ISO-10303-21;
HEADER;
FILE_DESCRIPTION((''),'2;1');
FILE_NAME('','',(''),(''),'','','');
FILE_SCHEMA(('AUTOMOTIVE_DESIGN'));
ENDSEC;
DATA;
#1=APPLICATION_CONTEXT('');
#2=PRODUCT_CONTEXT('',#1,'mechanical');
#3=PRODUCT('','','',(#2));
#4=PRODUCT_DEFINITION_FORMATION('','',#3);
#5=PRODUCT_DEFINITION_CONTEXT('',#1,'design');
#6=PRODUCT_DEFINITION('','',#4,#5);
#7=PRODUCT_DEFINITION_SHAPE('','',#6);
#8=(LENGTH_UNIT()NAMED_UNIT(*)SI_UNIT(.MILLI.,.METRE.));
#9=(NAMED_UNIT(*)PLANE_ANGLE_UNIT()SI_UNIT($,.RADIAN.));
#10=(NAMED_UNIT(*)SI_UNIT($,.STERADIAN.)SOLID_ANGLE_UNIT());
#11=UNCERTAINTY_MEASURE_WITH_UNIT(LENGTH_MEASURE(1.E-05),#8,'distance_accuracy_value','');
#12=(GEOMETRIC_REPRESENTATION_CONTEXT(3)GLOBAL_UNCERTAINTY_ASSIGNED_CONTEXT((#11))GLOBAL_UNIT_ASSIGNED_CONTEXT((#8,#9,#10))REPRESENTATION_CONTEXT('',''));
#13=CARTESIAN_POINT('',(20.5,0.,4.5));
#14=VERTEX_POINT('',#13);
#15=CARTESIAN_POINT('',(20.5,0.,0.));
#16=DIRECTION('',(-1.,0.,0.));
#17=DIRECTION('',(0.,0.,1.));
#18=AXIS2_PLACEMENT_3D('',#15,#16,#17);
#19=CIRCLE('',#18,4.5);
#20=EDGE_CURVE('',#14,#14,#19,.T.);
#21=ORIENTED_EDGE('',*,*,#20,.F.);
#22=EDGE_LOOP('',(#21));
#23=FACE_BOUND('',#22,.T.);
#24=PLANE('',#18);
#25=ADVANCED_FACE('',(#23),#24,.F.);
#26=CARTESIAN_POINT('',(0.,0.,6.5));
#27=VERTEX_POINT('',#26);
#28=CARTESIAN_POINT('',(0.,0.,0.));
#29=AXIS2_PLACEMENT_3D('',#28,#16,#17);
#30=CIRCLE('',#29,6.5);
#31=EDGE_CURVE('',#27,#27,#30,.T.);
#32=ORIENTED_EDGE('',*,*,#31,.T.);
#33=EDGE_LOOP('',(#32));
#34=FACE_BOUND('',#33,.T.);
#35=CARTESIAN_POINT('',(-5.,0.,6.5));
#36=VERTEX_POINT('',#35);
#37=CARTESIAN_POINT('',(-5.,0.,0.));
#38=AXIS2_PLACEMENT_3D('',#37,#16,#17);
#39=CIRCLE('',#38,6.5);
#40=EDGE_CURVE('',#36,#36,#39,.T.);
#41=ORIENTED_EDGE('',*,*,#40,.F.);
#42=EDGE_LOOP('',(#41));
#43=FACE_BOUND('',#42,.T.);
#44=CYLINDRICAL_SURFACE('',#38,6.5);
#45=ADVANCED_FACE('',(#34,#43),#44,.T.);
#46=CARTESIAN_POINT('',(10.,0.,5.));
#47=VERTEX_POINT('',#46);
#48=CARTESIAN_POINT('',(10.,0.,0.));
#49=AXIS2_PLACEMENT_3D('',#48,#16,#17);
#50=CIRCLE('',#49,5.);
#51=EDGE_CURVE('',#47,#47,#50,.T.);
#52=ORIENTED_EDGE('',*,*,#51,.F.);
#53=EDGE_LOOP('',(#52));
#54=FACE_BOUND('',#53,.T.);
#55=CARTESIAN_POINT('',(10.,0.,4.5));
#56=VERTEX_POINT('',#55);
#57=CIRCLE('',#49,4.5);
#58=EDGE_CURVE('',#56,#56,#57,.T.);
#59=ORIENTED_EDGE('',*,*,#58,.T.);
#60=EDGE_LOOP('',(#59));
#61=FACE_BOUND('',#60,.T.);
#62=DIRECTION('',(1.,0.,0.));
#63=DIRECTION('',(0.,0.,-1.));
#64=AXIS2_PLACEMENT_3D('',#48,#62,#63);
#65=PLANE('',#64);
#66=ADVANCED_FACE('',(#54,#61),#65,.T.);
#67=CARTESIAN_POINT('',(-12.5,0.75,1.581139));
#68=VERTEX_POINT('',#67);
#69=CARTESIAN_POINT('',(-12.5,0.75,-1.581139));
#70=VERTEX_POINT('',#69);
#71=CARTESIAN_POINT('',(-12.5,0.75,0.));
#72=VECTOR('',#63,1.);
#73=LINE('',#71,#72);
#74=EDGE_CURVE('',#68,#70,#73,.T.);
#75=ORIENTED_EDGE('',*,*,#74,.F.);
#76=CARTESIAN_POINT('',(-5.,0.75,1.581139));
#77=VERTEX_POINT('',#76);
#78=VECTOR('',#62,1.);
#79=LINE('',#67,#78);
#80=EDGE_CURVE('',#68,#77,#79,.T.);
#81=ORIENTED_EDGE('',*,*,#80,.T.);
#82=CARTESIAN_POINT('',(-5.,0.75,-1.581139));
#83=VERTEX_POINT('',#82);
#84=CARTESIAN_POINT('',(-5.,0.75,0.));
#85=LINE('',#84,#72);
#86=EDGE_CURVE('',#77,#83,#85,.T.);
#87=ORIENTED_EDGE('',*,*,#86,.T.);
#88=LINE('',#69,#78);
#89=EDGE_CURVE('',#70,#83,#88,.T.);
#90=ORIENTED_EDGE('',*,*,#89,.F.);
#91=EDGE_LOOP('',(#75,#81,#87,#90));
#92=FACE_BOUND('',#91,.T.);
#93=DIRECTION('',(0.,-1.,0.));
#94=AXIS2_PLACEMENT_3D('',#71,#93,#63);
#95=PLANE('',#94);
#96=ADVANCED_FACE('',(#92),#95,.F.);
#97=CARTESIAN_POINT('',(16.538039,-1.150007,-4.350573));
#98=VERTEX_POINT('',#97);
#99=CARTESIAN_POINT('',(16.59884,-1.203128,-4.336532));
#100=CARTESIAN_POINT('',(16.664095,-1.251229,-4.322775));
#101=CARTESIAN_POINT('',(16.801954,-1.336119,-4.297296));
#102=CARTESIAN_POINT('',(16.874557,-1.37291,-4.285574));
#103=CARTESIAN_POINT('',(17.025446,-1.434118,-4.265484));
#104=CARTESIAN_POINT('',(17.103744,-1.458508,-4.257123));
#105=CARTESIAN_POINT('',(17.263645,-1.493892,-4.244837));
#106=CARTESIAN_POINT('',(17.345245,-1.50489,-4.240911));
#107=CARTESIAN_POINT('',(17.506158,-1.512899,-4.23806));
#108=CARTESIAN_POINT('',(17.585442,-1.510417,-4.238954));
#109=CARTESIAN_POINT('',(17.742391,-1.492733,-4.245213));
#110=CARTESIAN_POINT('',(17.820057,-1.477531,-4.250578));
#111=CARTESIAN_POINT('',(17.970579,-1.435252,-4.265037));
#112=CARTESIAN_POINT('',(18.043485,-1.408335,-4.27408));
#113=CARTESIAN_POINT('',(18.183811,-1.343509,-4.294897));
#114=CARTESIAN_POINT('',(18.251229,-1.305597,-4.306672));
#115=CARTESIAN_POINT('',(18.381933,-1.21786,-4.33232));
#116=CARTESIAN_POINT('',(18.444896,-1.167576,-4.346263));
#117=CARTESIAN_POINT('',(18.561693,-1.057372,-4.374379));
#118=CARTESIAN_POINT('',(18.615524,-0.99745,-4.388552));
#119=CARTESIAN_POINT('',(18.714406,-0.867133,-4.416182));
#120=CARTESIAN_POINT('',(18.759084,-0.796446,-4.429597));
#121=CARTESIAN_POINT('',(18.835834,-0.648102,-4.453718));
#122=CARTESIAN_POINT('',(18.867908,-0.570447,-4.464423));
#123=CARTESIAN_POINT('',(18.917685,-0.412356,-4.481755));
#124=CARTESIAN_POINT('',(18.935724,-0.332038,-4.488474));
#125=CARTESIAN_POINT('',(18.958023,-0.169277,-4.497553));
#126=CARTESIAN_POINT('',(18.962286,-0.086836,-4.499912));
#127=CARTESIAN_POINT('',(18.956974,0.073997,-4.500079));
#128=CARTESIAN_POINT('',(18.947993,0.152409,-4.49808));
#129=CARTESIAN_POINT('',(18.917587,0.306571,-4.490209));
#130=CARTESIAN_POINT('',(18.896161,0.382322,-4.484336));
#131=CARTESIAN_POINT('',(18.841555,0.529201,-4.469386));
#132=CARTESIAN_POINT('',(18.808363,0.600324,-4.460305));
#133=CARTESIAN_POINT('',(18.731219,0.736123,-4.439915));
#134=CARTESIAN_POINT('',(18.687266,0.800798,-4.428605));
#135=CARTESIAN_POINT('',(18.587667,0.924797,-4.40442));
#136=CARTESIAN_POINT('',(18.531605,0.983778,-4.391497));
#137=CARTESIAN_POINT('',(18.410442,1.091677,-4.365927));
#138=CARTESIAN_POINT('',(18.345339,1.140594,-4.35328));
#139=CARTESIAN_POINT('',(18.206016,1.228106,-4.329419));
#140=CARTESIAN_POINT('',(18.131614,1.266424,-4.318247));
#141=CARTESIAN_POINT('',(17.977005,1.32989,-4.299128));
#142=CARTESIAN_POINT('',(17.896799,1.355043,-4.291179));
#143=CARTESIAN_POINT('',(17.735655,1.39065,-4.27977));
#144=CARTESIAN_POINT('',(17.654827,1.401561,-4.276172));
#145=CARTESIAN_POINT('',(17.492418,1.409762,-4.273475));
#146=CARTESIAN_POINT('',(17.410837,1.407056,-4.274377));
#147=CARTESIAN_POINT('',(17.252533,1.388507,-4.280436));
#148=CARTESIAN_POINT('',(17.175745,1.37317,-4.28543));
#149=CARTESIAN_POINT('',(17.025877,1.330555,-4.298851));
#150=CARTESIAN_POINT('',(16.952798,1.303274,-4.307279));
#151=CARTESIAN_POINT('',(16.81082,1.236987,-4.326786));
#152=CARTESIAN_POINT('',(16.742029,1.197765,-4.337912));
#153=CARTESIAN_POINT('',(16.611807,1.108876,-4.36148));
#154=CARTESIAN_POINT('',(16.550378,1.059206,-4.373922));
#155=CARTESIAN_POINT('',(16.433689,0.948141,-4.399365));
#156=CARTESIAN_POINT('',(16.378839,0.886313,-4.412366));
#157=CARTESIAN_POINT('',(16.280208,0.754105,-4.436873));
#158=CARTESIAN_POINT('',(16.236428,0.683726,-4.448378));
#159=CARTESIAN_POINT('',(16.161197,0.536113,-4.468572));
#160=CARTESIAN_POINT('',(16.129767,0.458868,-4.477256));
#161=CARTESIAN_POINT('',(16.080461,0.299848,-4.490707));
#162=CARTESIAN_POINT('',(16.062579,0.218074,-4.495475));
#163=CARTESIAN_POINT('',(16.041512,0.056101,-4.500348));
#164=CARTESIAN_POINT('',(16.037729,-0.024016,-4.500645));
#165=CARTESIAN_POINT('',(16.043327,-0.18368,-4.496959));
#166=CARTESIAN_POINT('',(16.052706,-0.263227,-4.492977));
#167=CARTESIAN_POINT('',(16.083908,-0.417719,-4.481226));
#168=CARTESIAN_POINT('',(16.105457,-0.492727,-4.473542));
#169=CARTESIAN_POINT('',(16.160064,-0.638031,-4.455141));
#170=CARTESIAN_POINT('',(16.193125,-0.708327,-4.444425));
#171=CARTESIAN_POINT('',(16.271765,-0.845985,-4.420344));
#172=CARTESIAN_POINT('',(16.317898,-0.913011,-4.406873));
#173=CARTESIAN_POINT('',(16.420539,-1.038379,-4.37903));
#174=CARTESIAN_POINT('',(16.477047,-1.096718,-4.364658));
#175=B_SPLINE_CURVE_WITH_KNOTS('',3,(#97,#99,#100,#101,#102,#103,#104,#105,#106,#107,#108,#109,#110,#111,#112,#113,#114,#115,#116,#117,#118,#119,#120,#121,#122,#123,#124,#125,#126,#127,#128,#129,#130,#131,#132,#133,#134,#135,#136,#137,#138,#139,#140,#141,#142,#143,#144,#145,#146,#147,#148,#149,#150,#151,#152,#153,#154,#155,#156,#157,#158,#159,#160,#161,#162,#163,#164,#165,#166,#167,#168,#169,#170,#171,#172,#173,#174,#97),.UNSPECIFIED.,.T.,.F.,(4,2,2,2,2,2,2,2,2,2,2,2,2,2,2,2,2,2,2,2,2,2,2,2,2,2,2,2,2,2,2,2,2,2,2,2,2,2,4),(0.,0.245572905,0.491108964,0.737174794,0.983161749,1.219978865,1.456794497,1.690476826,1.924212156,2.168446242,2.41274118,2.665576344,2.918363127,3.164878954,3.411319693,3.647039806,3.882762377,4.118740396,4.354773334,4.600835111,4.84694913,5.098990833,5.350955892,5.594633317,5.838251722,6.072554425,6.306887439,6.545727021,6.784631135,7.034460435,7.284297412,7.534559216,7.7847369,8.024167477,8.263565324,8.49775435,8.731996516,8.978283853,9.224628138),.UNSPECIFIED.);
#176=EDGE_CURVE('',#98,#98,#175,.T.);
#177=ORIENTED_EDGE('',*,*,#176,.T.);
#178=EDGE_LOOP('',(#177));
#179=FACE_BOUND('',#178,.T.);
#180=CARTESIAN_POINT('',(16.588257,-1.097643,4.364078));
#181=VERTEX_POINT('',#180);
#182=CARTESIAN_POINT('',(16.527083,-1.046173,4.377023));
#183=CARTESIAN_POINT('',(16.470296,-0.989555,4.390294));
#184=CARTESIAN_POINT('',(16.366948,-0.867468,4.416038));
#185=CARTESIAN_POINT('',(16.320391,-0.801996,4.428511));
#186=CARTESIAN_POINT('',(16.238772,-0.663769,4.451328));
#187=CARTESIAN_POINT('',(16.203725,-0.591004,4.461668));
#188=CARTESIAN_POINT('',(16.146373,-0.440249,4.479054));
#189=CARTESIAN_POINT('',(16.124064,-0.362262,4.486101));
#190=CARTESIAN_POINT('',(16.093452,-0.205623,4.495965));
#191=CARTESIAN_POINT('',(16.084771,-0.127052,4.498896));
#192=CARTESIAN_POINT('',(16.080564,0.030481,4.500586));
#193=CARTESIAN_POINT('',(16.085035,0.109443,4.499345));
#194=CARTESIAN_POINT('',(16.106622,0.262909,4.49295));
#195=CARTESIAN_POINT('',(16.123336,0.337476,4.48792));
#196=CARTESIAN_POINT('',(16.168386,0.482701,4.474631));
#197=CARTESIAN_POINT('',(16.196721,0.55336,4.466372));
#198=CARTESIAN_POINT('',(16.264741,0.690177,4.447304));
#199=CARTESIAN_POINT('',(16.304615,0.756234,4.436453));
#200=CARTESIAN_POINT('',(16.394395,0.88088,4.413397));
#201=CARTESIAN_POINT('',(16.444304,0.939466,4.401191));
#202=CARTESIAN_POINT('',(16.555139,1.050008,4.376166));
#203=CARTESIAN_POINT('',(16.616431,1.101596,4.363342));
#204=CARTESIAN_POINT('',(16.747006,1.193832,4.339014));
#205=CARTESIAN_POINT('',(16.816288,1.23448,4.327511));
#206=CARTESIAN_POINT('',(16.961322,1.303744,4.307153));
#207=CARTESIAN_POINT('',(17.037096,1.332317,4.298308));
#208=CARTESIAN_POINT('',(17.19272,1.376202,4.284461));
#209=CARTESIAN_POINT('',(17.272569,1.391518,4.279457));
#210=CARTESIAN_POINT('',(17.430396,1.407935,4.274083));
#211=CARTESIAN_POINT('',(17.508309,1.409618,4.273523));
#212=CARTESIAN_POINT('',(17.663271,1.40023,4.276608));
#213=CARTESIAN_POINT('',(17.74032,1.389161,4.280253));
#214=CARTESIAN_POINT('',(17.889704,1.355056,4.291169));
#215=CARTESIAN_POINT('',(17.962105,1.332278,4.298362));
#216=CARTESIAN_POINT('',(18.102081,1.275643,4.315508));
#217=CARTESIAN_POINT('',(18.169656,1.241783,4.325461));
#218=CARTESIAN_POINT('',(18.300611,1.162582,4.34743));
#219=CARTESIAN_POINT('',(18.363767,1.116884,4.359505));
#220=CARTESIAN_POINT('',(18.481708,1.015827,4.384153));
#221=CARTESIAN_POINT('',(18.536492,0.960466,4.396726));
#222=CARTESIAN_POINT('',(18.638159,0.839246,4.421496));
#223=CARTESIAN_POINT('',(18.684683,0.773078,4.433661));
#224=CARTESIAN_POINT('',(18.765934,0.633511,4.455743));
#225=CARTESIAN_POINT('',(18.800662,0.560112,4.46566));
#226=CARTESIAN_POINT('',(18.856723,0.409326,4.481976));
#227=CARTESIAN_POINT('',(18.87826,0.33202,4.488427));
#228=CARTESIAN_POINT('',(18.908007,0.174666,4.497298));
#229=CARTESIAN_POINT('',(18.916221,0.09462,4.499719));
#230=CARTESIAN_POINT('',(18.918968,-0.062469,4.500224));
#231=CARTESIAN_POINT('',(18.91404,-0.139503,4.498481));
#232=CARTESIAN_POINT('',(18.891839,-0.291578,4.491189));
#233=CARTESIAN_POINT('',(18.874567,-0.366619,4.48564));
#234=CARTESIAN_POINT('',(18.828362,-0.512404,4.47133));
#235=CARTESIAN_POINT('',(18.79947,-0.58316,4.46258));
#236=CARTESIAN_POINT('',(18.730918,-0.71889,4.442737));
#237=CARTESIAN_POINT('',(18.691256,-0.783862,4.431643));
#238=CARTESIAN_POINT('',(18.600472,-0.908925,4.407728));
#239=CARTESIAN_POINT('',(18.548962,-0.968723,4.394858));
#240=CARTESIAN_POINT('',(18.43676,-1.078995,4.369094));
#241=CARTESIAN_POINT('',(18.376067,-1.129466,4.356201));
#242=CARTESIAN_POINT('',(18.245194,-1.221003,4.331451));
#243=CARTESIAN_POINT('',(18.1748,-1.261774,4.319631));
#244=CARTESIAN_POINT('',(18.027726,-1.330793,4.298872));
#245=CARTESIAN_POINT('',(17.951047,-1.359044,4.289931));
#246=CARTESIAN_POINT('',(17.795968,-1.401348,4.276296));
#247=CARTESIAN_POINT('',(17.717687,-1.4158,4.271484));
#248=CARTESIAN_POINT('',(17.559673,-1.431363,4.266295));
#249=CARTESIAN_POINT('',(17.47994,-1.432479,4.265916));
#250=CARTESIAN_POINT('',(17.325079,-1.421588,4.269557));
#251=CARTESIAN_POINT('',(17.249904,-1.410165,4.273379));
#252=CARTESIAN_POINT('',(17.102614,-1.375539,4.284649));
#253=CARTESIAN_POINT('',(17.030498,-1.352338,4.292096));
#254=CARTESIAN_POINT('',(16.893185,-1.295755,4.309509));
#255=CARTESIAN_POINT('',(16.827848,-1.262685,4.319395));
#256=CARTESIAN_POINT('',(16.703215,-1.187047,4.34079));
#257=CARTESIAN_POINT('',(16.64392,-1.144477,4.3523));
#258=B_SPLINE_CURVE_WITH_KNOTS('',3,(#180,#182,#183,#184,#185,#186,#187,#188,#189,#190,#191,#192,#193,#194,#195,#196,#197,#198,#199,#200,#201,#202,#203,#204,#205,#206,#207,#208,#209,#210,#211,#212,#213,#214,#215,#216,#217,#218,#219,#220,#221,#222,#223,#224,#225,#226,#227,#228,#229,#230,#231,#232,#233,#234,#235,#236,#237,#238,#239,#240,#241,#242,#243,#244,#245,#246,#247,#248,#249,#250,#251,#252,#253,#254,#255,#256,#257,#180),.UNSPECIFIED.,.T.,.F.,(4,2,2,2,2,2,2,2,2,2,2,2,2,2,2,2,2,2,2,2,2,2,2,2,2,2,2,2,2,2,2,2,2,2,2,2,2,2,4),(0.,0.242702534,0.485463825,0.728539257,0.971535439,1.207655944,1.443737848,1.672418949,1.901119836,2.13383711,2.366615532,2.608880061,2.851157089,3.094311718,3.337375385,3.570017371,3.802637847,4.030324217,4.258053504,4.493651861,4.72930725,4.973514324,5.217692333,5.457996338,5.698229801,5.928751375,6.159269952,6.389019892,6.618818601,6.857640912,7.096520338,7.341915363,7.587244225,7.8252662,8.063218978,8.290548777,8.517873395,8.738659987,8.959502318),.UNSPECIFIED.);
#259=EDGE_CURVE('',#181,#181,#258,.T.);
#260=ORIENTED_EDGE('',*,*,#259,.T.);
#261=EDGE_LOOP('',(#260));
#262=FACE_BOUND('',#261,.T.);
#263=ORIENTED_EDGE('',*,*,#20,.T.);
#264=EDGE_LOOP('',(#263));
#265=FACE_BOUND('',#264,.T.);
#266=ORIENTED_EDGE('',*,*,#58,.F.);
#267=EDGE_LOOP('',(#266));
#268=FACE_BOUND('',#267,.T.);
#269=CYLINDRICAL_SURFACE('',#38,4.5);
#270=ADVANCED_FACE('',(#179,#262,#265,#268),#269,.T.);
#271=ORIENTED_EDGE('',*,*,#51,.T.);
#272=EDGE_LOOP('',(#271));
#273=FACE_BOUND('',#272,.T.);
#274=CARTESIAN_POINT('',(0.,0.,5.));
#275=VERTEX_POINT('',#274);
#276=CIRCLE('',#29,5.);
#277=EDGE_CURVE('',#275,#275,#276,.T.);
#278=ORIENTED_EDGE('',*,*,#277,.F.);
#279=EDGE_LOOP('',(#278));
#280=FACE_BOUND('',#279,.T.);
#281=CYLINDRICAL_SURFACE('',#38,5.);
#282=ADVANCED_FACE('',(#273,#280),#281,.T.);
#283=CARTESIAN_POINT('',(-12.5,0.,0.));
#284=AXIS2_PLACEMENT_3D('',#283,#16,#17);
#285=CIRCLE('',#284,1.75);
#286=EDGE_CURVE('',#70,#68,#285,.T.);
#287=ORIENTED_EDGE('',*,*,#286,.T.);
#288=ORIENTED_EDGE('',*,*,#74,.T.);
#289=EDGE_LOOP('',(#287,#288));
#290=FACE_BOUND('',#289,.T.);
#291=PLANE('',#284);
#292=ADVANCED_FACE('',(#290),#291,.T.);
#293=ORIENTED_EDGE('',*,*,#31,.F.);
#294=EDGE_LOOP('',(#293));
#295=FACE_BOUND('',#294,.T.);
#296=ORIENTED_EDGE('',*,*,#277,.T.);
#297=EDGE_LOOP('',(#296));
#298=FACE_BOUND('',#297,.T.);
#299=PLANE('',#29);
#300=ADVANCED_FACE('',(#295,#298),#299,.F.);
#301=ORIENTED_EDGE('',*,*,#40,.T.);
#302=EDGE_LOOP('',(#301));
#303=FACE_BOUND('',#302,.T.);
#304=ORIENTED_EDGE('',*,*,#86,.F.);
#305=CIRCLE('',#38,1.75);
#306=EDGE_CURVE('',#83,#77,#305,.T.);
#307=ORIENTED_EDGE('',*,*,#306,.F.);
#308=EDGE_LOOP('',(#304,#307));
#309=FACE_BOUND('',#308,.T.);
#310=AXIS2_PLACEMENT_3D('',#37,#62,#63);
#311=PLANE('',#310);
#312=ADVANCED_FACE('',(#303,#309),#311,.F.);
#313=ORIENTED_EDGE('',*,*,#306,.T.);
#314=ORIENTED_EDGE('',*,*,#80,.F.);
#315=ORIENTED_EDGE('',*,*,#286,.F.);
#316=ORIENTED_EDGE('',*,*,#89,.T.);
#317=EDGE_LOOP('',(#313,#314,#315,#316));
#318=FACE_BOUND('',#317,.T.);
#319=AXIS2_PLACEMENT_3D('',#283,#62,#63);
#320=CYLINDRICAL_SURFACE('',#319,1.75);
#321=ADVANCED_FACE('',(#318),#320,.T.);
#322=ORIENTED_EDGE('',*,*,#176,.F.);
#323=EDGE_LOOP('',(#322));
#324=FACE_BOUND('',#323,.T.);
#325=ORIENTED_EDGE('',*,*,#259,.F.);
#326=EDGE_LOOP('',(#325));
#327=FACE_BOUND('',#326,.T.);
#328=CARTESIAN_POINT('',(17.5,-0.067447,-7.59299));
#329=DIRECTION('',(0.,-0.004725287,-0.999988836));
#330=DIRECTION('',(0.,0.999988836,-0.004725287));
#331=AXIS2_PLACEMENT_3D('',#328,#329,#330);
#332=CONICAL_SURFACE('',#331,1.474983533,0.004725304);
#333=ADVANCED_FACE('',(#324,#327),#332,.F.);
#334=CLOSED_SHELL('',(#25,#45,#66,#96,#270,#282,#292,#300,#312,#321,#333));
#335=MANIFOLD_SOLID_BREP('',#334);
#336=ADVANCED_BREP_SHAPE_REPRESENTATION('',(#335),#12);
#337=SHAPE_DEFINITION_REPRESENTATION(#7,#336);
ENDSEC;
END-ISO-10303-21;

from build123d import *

# Parameters (mm, degrees)
EXTRUDE_2_DEPTH = 7.5


with BuildPart() as part:
    # 草图1 → 旋转1 (revolve)
    with BuildSketch(Plane.XY):
        Polygon((-5, 0), (0, 0), (20.5, 0), (20.5, 4.5), (10, 4.5), (10, 5), (0, 5), (0, 6.5), (-5, 6.5), (-5, 5), align=None)
    revolve(axis=Axis((-5, 0, 0), (1, 0, 0)))

    # 草图3 → 切除-旋转1 (revolve, cut)
    with BuildSketch(Plane(origin=(17.5, 0, 0), x_dir=(0, 0, -1), z_dir=(1, 0, 0))):
        Polygon((-6.680542038, 0), (-6.680542038, 1.407519777), (7.599960071, 1.407519777), (7.599960071, -0.067480223), align=None)
    revolve(axis=Axis((17.5, 0, 6.680542038), (0, -0.004725287, -0.999988836)), mode=Mode.SUBTRACT)

    # 草图4 → 凸台-拉伸2 (add)
    with BuildSketch(Plane.ZY.offset(5)):
        with BuildLine():
            Line((0.04652715, 0.75), (0, 0.75))
            Line((0, 0.75), (-1.58113883, 0.75))
            ThreePointArc((-1.58113883, 0.75), (0, -1.75), (1.58113883, 0.75))
            Line((1.58113883, 0.75), (0.04652715, 0.75))
        make_face()
    extrude(amount=EXTRUDE_2_DEPTH)


solid = part.part
